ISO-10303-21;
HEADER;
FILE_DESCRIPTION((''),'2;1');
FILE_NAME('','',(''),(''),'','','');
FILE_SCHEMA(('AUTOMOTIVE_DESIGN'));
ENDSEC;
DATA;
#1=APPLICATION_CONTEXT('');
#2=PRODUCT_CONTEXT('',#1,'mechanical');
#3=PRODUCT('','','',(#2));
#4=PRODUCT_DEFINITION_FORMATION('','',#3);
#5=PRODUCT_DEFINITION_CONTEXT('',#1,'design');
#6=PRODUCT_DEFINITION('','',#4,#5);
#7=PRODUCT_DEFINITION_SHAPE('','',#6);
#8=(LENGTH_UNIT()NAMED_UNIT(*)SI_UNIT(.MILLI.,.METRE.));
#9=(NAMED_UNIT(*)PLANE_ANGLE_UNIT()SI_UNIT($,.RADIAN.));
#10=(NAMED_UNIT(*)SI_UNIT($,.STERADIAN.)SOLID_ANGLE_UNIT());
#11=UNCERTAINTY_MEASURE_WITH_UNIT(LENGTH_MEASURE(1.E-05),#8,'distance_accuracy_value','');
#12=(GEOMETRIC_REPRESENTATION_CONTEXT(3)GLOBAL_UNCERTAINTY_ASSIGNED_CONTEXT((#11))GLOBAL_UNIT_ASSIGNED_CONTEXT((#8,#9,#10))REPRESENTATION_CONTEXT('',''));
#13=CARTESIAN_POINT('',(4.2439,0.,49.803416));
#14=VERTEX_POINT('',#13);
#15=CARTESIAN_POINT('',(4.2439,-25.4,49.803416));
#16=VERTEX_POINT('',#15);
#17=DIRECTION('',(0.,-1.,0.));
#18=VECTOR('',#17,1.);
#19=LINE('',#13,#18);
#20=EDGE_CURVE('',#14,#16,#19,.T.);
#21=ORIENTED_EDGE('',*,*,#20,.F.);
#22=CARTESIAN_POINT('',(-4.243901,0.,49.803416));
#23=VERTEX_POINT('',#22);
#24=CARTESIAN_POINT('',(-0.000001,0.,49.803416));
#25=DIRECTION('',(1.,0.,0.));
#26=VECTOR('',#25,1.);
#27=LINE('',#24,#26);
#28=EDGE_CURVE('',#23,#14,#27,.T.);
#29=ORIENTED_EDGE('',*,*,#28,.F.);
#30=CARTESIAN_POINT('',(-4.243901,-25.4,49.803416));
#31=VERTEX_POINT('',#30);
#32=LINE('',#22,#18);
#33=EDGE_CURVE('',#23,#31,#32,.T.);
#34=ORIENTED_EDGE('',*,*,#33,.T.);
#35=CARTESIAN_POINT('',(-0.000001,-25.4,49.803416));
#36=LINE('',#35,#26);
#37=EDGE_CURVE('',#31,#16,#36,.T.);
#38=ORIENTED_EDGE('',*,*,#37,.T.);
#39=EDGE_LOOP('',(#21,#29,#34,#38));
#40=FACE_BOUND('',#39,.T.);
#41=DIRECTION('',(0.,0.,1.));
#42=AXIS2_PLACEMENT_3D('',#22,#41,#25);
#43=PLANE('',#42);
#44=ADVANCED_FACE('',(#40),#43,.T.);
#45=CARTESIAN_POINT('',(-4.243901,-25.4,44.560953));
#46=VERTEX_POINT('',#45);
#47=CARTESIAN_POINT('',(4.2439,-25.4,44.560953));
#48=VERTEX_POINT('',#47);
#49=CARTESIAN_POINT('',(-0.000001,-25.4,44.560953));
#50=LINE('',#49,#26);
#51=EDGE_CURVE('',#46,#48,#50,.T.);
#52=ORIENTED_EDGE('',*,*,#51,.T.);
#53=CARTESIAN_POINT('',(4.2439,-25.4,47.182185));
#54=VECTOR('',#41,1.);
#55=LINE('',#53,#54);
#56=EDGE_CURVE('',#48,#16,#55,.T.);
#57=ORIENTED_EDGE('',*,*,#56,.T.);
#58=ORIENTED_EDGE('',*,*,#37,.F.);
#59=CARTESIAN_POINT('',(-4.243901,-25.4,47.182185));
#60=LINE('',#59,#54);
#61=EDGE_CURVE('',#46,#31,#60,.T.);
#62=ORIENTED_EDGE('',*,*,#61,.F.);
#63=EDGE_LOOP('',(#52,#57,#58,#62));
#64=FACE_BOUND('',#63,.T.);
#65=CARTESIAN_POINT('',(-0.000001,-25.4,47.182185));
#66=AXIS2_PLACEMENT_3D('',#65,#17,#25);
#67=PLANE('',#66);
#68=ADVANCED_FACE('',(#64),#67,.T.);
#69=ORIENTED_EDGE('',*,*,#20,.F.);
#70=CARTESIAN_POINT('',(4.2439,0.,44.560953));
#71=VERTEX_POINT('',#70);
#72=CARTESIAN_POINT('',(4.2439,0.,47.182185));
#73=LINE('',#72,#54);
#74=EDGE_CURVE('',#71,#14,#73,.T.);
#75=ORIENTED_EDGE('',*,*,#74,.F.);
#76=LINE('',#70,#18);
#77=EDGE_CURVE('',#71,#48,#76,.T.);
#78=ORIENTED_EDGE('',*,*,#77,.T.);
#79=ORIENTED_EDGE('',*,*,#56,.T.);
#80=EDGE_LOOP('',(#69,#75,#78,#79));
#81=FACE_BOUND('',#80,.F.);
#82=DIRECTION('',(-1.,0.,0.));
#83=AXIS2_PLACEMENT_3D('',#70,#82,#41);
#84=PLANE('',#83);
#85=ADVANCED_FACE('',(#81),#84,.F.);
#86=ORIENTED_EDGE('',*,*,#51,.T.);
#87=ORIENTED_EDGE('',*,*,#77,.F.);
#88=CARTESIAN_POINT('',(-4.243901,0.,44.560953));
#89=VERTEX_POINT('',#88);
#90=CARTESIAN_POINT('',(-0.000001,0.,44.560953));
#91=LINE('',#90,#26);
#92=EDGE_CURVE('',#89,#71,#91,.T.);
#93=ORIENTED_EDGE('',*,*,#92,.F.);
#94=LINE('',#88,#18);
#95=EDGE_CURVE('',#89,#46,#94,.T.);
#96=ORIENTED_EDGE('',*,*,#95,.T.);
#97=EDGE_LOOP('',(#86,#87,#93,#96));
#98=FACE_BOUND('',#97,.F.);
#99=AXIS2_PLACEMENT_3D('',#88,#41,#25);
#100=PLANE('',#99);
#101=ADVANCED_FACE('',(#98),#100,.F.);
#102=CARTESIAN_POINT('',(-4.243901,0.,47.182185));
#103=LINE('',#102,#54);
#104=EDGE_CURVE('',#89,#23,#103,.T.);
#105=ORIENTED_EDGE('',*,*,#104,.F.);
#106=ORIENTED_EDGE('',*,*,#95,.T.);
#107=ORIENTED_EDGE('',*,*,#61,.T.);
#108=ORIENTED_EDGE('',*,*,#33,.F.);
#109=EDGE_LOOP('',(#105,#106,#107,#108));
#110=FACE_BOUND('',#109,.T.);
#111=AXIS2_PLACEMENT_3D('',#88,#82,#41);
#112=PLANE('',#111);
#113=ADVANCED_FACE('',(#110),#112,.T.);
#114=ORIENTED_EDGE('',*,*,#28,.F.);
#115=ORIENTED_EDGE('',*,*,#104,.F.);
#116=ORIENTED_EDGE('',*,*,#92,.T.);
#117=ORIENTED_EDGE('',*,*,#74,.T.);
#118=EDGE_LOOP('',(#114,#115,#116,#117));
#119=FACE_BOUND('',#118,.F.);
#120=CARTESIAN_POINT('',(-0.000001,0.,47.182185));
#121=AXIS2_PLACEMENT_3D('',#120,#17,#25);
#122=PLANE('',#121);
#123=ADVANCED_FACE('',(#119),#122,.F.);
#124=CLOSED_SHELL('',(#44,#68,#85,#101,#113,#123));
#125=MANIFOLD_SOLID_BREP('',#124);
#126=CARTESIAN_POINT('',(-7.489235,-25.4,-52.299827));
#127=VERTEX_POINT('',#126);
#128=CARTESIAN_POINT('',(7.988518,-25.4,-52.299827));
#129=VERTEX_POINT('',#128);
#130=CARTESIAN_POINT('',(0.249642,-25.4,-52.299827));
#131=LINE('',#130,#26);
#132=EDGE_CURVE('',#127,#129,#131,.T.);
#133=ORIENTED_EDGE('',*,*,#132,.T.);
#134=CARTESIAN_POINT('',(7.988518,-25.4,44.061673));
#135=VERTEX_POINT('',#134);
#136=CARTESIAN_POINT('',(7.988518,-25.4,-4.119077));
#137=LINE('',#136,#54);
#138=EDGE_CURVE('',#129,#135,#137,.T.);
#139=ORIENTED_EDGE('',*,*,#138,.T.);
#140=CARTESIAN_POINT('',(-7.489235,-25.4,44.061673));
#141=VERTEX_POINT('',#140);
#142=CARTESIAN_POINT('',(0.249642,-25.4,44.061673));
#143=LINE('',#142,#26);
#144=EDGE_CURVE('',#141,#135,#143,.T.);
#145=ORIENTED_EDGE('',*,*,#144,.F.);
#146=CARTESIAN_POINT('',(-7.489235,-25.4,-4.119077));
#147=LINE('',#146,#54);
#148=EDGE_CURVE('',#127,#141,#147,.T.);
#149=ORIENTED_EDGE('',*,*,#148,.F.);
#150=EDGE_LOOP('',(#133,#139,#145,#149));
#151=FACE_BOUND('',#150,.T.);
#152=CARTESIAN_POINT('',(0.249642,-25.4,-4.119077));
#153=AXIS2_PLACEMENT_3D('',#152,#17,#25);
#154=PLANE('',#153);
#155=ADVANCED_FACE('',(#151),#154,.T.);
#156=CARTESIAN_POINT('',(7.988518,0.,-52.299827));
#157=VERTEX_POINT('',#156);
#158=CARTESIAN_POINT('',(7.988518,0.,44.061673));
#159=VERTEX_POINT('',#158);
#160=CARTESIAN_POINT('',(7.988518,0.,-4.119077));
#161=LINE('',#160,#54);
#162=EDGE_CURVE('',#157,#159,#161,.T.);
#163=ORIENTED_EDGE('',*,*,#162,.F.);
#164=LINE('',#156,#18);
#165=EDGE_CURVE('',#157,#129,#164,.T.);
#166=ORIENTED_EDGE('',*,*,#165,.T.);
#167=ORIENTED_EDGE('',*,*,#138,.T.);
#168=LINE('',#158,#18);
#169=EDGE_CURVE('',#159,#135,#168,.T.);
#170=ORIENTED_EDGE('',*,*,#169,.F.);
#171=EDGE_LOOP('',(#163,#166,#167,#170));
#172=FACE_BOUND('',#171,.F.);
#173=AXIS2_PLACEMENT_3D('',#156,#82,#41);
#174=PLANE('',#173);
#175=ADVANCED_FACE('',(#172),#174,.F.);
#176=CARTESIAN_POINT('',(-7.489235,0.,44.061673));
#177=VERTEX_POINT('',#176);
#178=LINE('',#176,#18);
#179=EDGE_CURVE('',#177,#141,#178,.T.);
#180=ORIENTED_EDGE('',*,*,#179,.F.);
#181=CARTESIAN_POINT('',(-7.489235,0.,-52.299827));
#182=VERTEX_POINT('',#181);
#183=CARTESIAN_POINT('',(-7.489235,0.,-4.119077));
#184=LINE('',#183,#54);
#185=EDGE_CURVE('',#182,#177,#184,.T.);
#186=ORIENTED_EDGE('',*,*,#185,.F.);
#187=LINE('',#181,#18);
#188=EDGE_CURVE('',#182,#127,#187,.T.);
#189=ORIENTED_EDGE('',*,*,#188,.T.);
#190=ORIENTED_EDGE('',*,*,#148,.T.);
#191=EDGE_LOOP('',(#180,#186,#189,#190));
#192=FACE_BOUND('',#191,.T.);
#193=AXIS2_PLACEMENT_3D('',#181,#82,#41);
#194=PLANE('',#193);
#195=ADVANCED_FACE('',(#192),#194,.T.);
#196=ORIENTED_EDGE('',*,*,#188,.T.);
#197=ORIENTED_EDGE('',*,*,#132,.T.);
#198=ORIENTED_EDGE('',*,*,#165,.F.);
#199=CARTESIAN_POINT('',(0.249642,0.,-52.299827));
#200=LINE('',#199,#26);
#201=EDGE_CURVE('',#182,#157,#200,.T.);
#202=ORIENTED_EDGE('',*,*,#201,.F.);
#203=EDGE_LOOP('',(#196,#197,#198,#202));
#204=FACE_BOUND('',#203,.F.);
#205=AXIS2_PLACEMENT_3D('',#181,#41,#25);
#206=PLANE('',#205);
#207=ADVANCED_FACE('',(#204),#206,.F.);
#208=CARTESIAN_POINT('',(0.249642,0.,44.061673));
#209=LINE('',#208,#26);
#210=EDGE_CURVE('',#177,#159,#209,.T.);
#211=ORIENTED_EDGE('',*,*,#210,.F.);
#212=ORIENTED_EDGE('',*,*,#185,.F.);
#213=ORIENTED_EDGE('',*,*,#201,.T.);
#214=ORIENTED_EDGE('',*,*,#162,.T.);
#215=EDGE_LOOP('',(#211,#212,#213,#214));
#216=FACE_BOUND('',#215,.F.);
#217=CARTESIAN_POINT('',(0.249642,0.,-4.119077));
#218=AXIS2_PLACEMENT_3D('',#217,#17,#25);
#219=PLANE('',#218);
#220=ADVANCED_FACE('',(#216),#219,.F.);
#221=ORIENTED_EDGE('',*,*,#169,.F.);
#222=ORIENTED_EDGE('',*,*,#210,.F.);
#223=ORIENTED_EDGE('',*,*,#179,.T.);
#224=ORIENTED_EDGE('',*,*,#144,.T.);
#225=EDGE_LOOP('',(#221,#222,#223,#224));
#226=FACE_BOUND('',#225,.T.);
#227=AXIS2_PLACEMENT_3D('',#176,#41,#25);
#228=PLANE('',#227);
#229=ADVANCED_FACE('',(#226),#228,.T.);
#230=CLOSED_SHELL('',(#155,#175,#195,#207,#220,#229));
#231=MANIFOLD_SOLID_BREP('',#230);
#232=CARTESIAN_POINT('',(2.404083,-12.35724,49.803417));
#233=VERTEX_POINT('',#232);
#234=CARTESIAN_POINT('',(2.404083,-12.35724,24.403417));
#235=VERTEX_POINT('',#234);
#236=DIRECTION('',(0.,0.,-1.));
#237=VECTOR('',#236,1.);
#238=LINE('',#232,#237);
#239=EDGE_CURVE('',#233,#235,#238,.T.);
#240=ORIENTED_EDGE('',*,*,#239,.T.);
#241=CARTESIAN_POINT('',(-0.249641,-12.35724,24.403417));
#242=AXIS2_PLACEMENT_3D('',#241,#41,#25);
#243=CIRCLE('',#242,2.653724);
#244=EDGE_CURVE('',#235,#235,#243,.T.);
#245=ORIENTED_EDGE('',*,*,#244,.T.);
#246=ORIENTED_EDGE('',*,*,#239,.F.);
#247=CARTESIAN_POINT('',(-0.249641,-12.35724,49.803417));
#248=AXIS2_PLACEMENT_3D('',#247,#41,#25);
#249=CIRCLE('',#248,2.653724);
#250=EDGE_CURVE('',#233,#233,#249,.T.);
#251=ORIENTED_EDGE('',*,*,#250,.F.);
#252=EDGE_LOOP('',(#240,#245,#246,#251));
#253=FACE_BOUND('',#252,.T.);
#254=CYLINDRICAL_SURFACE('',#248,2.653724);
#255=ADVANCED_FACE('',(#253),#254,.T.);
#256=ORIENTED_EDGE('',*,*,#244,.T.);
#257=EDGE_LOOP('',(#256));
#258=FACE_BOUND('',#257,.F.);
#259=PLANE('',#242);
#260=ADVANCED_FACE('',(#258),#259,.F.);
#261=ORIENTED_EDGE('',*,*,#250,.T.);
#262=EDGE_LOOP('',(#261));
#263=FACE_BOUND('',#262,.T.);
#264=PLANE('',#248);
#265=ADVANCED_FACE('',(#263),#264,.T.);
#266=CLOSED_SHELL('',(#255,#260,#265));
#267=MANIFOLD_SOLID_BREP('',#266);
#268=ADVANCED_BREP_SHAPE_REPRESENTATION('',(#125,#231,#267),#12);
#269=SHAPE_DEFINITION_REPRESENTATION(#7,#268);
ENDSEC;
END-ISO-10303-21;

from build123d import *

# Parameters (mm, degrees)
F0_W     = 15.477753
F0_H     = 96.361499
F0_W_2   = 8.487801
F0_H_2   = 5.242463
F1_DEPTH = 25.4
F2_R     = 2.653724
F3_DEPTH = 25.4


with BuildPart() as f1:
    # F0 (on Front) → F1 (new body)
    with BuildSketch(Plane.XZ):
        with Locations((0.249642, -4.119077)):
            Rectangle(F0_W, F0_H)
        with Locations((-1e-06, 47.182185)):
            Rectangle(F0_W_2, F0_H_2)
    extrude(amount=F1_DEPTH)


with BuildPart() as f3:
    # F2 (on face) → F3 (new body)
    with BuildSketch(Plane.XY.offset(49.803417)):
        with Locations((-0.249641, -12.35724)):
            Circle(F2_R)
    extrude(amount=-F3_DEPTH)


solid = Compound([f1.part, f3.part])
